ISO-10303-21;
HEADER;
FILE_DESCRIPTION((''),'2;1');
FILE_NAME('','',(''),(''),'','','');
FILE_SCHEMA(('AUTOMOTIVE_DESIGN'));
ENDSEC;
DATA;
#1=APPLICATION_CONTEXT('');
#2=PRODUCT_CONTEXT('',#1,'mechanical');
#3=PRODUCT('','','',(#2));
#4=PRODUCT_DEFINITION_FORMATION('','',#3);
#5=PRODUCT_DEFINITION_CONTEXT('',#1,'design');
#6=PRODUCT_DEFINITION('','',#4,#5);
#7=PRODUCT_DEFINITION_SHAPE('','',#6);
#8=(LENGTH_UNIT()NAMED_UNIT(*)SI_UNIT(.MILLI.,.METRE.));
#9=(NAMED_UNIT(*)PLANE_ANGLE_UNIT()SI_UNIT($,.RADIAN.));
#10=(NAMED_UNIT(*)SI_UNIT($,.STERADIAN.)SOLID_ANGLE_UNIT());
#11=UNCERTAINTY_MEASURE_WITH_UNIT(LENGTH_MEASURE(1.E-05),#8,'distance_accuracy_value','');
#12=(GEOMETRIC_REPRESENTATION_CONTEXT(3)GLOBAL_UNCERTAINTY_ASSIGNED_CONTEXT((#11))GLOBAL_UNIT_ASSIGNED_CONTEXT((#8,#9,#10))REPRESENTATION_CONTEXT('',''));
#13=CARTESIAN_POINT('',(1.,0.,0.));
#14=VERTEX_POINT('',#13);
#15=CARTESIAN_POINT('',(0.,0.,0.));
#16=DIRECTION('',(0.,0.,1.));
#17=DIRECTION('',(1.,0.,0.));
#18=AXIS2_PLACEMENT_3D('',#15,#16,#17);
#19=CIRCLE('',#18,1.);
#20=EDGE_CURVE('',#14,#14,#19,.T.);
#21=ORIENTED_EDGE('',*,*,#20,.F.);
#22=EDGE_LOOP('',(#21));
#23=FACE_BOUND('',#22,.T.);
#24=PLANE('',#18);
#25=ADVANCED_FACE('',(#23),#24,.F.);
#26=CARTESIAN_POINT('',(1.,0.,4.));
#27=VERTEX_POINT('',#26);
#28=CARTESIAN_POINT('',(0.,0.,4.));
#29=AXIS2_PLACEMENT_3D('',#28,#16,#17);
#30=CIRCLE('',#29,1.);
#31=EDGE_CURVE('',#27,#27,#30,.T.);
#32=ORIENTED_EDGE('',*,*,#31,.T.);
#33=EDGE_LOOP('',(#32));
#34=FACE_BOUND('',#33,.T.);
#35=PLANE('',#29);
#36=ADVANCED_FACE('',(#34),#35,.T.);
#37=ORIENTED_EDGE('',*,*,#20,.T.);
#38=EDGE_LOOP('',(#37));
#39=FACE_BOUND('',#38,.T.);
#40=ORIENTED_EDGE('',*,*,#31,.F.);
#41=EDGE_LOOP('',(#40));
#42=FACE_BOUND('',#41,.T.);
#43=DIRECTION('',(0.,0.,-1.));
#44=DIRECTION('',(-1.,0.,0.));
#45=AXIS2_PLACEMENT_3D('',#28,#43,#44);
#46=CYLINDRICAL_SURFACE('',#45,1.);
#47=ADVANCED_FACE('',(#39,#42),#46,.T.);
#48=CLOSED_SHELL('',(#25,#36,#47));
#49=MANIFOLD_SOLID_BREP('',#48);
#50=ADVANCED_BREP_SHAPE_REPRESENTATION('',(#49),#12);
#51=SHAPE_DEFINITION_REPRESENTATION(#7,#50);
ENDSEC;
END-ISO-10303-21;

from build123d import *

# Parameters (mm, degrees)
SKETCH_1_R      = 1
EXTRUDE_1_DEPTH = 4


with BuildPart() as part:
    # 草图1 → 凸台-拉伸1 (new body)
    with BuildSketch(Plane.XY):
        Circle(SKETCH_1_R)
    extrude(amount=EXTRUDE_1_DEPTH)


solid = part.part
